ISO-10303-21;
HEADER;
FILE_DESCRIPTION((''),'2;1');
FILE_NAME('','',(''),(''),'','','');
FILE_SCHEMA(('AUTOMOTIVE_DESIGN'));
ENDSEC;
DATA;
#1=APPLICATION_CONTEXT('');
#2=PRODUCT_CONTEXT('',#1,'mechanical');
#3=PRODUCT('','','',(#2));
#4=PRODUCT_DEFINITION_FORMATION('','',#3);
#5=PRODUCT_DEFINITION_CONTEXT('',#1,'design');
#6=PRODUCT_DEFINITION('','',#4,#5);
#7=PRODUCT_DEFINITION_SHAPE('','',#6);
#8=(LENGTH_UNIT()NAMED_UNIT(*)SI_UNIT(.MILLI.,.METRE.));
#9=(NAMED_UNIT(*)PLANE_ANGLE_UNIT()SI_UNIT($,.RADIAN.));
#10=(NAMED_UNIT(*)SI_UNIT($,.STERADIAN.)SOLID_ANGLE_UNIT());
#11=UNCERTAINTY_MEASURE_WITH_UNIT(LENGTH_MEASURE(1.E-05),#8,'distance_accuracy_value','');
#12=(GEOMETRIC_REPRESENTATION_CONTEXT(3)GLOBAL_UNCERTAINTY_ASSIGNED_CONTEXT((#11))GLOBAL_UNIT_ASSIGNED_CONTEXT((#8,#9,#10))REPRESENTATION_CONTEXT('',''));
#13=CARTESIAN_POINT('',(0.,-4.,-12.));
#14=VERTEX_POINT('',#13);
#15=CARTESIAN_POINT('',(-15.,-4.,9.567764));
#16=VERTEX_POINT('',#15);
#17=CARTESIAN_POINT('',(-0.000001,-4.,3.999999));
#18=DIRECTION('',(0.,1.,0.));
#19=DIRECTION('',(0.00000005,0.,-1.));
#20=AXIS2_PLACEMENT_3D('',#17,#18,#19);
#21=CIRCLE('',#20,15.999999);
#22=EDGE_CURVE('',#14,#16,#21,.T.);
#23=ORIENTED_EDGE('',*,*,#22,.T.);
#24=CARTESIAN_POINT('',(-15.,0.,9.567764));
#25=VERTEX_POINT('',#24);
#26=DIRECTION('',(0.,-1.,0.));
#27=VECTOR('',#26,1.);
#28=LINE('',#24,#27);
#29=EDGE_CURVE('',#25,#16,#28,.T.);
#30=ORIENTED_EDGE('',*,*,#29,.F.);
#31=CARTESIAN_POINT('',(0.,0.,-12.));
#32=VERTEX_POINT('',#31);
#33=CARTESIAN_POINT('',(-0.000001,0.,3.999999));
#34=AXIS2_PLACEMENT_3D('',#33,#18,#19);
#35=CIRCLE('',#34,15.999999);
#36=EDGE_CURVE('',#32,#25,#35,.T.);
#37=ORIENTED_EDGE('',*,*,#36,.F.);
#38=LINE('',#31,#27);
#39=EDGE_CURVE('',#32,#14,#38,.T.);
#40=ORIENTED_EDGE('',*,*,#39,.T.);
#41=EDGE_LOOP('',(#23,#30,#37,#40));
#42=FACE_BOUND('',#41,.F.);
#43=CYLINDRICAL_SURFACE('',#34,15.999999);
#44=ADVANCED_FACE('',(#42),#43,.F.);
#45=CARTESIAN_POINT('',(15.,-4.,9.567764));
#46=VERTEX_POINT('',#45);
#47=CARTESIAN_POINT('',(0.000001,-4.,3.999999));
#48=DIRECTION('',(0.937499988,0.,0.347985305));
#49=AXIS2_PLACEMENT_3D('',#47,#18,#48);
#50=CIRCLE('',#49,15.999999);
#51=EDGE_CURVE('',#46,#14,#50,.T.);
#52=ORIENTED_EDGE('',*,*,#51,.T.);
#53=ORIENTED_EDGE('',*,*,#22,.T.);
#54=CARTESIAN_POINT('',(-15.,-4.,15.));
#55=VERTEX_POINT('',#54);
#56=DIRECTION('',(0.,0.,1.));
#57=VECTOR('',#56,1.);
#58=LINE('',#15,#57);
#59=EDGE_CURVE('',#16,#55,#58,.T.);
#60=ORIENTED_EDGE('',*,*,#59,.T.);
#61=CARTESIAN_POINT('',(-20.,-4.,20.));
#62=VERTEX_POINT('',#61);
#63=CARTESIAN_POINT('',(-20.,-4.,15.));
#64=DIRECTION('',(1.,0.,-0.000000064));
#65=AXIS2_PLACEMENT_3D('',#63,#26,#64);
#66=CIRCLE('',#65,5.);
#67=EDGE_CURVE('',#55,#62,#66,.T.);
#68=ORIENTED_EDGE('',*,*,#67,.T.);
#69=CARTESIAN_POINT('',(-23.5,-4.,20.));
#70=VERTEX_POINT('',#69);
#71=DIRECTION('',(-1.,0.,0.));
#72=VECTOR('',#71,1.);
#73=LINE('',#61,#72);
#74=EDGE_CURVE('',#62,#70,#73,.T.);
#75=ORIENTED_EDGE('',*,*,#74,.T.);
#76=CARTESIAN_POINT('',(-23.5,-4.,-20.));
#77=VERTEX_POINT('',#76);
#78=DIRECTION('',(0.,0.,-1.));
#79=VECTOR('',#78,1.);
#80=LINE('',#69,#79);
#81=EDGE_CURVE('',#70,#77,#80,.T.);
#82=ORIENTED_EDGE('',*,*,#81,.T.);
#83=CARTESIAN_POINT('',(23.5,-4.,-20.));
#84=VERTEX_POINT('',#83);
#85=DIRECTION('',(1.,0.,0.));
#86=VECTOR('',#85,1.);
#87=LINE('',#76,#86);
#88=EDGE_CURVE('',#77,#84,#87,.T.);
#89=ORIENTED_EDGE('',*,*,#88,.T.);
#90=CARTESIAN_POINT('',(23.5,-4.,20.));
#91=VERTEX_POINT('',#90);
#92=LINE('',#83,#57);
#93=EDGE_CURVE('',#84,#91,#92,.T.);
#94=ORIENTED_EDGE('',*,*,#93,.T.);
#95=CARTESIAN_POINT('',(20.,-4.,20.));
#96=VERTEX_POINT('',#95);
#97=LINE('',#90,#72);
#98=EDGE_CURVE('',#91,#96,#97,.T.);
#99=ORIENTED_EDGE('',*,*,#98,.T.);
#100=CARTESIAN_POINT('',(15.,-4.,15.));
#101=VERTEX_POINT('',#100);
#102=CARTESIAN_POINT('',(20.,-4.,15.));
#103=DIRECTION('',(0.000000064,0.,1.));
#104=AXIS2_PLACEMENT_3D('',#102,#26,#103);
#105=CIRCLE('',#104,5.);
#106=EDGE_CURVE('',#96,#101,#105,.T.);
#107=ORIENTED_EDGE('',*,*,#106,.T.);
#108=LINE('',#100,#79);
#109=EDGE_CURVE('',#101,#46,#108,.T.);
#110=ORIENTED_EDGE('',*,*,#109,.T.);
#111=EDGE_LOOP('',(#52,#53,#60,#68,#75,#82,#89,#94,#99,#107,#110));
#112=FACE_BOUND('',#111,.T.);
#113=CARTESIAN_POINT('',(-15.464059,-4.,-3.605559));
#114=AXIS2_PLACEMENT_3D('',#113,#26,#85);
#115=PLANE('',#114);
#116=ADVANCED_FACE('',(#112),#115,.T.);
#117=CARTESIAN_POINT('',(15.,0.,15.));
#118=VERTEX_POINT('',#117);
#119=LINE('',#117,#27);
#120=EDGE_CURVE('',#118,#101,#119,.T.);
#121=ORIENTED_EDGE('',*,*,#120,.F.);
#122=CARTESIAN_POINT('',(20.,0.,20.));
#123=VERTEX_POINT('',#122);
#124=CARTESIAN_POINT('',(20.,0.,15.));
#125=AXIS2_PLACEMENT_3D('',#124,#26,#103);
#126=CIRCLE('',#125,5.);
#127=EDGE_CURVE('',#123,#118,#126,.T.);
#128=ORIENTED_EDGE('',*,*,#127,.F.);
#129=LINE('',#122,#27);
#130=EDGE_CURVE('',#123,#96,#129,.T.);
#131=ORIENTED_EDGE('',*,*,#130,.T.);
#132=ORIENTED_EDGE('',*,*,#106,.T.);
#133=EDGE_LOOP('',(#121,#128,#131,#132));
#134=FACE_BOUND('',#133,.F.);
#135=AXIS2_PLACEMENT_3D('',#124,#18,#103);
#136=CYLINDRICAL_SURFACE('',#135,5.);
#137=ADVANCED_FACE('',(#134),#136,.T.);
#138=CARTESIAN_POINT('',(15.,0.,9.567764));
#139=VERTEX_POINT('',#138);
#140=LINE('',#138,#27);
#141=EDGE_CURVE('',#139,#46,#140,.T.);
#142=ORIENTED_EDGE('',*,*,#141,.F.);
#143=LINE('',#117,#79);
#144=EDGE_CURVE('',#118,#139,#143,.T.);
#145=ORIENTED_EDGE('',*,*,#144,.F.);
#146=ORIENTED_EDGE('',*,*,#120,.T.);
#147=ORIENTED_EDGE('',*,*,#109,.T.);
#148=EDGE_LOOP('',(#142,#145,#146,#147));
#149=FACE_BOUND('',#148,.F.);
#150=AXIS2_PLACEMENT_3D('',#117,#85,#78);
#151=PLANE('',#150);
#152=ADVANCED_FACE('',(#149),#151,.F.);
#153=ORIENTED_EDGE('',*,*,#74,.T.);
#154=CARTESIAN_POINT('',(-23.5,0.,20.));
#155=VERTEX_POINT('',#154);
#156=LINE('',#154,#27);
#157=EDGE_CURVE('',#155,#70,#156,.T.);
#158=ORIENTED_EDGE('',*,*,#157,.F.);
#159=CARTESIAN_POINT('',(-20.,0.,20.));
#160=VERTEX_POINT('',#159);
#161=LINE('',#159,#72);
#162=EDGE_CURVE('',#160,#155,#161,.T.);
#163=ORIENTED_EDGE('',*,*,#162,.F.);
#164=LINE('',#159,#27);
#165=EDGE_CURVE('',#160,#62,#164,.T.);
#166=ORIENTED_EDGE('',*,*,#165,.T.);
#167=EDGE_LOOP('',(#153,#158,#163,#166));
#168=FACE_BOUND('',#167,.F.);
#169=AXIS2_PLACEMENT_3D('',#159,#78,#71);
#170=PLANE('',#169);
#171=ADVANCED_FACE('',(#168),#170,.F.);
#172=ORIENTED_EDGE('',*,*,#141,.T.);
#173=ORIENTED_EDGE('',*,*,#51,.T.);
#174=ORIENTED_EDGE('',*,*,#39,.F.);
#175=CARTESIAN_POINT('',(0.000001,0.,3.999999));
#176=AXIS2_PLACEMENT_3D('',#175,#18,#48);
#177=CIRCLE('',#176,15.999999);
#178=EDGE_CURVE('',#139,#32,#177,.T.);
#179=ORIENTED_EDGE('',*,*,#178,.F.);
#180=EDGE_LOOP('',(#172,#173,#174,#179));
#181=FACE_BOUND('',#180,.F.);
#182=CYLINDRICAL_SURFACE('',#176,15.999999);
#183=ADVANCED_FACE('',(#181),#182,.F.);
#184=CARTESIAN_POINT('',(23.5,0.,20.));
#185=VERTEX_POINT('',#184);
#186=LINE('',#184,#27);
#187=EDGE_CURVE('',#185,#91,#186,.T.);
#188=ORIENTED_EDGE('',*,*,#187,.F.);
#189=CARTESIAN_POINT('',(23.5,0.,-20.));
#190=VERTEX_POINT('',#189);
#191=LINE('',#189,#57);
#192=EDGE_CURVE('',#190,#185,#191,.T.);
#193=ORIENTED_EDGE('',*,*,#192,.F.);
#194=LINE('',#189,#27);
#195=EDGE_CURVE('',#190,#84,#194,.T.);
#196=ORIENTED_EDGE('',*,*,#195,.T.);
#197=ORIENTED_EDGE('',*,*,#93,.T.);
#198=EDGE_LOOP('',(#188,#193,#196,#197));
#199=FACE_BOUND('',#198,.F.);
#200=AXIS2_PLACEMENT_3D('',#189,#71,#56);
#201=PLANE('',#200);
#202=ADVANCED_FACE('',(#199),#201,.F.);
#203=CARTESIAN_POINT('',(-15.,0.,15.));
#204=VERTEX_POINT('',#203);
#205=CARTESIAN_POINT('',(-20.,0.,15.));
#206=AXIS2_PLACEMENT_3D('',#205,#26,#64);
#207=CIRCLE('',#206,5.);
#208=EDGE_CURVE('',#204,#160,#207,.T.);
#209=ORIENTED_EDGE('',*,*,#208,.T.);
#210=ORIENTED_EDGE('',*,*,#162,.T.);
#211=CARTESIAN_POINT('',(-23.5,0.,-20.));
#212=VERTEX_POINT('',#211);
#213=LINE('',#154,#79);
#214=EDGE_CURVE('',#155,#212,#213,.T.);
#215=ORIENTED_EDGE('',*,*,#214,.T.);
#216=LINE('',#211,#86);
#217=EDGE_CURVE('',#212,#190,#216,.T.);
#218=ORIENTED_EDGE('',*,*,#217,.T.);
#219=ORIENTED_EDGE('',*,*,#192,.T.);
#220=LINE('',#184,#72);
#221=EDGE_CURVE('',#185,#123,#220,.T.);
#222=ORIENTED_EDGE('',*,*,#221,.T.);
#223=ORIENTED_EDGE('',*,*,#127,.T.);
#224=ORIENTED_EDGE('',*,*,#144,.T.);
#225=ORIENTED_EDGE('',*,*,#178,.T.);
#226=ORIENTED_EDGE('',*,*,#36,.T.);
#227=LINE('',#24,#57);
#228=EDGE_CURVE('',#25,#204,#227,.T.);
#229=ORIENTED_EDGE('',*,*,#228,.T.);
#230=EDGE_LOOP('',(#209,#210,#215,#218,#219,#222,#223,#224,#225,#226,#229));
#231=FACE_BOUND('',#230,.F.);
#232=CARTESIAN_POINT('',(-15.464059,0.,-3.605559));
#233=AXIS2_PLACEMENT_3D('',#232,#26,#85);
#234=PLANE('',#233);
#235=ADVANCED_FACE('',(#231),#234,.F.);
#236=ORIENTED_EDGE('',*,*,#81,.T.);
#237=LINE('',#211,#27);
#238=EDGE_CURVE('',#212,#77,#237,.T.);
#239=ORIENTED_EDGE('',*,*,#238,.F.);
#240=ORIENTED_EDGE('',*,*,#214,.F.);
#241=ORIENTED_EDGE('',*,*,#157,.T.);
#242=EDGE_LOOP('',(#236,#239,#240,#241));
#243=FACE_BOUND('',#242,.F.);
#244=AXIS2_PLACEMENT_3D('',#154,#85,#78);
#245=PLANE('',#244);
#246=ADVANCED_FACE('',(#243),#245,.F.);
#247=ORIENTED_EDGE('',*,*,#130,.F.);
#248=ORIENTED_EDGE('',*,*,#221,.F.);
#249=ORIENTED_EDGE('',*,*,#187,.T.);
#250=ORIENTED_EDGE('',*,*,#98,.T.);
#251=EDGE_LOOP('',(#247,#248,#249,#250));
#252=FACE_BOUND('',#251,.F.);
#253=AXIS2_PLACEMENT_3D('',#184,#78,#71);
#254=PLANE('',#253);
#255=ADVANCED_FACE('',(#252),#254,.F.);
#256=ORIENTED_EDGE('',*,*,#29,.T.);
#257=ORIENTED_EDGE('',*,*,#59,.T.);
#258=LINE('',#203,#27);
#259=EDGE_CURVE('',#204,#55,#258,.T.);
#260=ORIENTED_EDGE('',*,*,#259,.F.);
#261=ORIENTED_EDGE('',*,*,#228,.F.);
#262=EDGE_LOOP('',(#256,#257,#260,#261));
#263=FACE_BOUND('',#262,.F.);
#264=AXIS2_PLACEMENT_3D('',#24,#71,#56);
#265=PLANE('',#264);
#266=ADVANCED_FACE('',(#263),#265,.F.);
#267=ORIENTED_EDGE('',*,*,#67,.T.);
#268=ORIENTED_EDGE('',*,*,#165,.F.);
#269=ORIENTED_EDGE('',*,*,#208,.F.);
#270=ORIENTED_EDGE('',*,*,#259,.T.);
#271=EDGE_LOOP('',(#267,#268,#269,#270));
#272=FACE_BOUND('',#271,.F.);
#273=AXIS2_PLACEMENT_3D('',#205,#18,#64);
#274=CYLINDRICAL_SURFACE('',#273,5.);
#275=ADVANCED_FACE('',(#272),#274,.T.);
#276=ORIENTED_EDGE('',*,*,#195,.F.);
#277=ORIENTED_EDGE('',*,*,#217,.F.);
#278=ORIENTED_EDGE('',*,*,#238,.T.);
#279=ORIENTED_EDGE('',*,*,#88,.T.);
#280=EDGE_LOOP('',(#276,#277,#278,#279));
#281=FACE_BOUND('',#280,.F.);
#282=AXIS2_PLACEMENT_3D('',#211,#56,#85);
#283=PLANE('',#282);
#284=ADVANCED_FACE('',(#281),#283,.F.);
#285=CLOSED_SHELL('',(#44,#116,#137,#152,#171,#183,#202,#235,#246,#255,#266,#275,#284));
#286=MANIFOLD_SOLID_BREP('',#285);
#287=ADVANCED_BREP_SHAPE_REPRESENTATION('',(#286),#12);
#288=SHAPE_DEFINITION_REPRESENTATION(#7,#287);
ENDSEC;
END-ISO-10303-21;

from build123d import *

# Parameters (mm, degrees)
F1_DEPTH = 4


with BuildPart() as f1:
    # F0 (on Front) → F1 (new body)
    with BuildSketch(Plane.XZ):
        with BuildLine():
            ThreePointArc((-15, 15), (-16.464466, 18.535534), (-20, 20))
            Line((-20, 20), (-23.5, 20))
            Line((-23.5, 20), (-23.5, -20))
            Line((-23.5, -20), (0, -20))
            Line((0, -20), (0, -12))
            ThreePointArc((0, -12), (-13.135529, -5.135529), (-15, 9.567764))
            Line((-15, 9.567764), (-15, 15))
        make_face()
        with BuildLine():
            Line((0, -12), (0, -20))
            Line((0, -20), (23.5, -20))
            Line((23.5, -20), (23.5, 20))
            Line((23.5, 20), (20, 20))
            ThreePointArc((20, 20), (16.464466, 18.535534), (15, 15))
            Line((15, 15), (15, 9.567764))
            ThreePointArc((15, 9.567764), (13.135529, -5.135529), (0, -12))
        make_face()
    extrude(amount=F1_DEPTH)


solid = f1.part
